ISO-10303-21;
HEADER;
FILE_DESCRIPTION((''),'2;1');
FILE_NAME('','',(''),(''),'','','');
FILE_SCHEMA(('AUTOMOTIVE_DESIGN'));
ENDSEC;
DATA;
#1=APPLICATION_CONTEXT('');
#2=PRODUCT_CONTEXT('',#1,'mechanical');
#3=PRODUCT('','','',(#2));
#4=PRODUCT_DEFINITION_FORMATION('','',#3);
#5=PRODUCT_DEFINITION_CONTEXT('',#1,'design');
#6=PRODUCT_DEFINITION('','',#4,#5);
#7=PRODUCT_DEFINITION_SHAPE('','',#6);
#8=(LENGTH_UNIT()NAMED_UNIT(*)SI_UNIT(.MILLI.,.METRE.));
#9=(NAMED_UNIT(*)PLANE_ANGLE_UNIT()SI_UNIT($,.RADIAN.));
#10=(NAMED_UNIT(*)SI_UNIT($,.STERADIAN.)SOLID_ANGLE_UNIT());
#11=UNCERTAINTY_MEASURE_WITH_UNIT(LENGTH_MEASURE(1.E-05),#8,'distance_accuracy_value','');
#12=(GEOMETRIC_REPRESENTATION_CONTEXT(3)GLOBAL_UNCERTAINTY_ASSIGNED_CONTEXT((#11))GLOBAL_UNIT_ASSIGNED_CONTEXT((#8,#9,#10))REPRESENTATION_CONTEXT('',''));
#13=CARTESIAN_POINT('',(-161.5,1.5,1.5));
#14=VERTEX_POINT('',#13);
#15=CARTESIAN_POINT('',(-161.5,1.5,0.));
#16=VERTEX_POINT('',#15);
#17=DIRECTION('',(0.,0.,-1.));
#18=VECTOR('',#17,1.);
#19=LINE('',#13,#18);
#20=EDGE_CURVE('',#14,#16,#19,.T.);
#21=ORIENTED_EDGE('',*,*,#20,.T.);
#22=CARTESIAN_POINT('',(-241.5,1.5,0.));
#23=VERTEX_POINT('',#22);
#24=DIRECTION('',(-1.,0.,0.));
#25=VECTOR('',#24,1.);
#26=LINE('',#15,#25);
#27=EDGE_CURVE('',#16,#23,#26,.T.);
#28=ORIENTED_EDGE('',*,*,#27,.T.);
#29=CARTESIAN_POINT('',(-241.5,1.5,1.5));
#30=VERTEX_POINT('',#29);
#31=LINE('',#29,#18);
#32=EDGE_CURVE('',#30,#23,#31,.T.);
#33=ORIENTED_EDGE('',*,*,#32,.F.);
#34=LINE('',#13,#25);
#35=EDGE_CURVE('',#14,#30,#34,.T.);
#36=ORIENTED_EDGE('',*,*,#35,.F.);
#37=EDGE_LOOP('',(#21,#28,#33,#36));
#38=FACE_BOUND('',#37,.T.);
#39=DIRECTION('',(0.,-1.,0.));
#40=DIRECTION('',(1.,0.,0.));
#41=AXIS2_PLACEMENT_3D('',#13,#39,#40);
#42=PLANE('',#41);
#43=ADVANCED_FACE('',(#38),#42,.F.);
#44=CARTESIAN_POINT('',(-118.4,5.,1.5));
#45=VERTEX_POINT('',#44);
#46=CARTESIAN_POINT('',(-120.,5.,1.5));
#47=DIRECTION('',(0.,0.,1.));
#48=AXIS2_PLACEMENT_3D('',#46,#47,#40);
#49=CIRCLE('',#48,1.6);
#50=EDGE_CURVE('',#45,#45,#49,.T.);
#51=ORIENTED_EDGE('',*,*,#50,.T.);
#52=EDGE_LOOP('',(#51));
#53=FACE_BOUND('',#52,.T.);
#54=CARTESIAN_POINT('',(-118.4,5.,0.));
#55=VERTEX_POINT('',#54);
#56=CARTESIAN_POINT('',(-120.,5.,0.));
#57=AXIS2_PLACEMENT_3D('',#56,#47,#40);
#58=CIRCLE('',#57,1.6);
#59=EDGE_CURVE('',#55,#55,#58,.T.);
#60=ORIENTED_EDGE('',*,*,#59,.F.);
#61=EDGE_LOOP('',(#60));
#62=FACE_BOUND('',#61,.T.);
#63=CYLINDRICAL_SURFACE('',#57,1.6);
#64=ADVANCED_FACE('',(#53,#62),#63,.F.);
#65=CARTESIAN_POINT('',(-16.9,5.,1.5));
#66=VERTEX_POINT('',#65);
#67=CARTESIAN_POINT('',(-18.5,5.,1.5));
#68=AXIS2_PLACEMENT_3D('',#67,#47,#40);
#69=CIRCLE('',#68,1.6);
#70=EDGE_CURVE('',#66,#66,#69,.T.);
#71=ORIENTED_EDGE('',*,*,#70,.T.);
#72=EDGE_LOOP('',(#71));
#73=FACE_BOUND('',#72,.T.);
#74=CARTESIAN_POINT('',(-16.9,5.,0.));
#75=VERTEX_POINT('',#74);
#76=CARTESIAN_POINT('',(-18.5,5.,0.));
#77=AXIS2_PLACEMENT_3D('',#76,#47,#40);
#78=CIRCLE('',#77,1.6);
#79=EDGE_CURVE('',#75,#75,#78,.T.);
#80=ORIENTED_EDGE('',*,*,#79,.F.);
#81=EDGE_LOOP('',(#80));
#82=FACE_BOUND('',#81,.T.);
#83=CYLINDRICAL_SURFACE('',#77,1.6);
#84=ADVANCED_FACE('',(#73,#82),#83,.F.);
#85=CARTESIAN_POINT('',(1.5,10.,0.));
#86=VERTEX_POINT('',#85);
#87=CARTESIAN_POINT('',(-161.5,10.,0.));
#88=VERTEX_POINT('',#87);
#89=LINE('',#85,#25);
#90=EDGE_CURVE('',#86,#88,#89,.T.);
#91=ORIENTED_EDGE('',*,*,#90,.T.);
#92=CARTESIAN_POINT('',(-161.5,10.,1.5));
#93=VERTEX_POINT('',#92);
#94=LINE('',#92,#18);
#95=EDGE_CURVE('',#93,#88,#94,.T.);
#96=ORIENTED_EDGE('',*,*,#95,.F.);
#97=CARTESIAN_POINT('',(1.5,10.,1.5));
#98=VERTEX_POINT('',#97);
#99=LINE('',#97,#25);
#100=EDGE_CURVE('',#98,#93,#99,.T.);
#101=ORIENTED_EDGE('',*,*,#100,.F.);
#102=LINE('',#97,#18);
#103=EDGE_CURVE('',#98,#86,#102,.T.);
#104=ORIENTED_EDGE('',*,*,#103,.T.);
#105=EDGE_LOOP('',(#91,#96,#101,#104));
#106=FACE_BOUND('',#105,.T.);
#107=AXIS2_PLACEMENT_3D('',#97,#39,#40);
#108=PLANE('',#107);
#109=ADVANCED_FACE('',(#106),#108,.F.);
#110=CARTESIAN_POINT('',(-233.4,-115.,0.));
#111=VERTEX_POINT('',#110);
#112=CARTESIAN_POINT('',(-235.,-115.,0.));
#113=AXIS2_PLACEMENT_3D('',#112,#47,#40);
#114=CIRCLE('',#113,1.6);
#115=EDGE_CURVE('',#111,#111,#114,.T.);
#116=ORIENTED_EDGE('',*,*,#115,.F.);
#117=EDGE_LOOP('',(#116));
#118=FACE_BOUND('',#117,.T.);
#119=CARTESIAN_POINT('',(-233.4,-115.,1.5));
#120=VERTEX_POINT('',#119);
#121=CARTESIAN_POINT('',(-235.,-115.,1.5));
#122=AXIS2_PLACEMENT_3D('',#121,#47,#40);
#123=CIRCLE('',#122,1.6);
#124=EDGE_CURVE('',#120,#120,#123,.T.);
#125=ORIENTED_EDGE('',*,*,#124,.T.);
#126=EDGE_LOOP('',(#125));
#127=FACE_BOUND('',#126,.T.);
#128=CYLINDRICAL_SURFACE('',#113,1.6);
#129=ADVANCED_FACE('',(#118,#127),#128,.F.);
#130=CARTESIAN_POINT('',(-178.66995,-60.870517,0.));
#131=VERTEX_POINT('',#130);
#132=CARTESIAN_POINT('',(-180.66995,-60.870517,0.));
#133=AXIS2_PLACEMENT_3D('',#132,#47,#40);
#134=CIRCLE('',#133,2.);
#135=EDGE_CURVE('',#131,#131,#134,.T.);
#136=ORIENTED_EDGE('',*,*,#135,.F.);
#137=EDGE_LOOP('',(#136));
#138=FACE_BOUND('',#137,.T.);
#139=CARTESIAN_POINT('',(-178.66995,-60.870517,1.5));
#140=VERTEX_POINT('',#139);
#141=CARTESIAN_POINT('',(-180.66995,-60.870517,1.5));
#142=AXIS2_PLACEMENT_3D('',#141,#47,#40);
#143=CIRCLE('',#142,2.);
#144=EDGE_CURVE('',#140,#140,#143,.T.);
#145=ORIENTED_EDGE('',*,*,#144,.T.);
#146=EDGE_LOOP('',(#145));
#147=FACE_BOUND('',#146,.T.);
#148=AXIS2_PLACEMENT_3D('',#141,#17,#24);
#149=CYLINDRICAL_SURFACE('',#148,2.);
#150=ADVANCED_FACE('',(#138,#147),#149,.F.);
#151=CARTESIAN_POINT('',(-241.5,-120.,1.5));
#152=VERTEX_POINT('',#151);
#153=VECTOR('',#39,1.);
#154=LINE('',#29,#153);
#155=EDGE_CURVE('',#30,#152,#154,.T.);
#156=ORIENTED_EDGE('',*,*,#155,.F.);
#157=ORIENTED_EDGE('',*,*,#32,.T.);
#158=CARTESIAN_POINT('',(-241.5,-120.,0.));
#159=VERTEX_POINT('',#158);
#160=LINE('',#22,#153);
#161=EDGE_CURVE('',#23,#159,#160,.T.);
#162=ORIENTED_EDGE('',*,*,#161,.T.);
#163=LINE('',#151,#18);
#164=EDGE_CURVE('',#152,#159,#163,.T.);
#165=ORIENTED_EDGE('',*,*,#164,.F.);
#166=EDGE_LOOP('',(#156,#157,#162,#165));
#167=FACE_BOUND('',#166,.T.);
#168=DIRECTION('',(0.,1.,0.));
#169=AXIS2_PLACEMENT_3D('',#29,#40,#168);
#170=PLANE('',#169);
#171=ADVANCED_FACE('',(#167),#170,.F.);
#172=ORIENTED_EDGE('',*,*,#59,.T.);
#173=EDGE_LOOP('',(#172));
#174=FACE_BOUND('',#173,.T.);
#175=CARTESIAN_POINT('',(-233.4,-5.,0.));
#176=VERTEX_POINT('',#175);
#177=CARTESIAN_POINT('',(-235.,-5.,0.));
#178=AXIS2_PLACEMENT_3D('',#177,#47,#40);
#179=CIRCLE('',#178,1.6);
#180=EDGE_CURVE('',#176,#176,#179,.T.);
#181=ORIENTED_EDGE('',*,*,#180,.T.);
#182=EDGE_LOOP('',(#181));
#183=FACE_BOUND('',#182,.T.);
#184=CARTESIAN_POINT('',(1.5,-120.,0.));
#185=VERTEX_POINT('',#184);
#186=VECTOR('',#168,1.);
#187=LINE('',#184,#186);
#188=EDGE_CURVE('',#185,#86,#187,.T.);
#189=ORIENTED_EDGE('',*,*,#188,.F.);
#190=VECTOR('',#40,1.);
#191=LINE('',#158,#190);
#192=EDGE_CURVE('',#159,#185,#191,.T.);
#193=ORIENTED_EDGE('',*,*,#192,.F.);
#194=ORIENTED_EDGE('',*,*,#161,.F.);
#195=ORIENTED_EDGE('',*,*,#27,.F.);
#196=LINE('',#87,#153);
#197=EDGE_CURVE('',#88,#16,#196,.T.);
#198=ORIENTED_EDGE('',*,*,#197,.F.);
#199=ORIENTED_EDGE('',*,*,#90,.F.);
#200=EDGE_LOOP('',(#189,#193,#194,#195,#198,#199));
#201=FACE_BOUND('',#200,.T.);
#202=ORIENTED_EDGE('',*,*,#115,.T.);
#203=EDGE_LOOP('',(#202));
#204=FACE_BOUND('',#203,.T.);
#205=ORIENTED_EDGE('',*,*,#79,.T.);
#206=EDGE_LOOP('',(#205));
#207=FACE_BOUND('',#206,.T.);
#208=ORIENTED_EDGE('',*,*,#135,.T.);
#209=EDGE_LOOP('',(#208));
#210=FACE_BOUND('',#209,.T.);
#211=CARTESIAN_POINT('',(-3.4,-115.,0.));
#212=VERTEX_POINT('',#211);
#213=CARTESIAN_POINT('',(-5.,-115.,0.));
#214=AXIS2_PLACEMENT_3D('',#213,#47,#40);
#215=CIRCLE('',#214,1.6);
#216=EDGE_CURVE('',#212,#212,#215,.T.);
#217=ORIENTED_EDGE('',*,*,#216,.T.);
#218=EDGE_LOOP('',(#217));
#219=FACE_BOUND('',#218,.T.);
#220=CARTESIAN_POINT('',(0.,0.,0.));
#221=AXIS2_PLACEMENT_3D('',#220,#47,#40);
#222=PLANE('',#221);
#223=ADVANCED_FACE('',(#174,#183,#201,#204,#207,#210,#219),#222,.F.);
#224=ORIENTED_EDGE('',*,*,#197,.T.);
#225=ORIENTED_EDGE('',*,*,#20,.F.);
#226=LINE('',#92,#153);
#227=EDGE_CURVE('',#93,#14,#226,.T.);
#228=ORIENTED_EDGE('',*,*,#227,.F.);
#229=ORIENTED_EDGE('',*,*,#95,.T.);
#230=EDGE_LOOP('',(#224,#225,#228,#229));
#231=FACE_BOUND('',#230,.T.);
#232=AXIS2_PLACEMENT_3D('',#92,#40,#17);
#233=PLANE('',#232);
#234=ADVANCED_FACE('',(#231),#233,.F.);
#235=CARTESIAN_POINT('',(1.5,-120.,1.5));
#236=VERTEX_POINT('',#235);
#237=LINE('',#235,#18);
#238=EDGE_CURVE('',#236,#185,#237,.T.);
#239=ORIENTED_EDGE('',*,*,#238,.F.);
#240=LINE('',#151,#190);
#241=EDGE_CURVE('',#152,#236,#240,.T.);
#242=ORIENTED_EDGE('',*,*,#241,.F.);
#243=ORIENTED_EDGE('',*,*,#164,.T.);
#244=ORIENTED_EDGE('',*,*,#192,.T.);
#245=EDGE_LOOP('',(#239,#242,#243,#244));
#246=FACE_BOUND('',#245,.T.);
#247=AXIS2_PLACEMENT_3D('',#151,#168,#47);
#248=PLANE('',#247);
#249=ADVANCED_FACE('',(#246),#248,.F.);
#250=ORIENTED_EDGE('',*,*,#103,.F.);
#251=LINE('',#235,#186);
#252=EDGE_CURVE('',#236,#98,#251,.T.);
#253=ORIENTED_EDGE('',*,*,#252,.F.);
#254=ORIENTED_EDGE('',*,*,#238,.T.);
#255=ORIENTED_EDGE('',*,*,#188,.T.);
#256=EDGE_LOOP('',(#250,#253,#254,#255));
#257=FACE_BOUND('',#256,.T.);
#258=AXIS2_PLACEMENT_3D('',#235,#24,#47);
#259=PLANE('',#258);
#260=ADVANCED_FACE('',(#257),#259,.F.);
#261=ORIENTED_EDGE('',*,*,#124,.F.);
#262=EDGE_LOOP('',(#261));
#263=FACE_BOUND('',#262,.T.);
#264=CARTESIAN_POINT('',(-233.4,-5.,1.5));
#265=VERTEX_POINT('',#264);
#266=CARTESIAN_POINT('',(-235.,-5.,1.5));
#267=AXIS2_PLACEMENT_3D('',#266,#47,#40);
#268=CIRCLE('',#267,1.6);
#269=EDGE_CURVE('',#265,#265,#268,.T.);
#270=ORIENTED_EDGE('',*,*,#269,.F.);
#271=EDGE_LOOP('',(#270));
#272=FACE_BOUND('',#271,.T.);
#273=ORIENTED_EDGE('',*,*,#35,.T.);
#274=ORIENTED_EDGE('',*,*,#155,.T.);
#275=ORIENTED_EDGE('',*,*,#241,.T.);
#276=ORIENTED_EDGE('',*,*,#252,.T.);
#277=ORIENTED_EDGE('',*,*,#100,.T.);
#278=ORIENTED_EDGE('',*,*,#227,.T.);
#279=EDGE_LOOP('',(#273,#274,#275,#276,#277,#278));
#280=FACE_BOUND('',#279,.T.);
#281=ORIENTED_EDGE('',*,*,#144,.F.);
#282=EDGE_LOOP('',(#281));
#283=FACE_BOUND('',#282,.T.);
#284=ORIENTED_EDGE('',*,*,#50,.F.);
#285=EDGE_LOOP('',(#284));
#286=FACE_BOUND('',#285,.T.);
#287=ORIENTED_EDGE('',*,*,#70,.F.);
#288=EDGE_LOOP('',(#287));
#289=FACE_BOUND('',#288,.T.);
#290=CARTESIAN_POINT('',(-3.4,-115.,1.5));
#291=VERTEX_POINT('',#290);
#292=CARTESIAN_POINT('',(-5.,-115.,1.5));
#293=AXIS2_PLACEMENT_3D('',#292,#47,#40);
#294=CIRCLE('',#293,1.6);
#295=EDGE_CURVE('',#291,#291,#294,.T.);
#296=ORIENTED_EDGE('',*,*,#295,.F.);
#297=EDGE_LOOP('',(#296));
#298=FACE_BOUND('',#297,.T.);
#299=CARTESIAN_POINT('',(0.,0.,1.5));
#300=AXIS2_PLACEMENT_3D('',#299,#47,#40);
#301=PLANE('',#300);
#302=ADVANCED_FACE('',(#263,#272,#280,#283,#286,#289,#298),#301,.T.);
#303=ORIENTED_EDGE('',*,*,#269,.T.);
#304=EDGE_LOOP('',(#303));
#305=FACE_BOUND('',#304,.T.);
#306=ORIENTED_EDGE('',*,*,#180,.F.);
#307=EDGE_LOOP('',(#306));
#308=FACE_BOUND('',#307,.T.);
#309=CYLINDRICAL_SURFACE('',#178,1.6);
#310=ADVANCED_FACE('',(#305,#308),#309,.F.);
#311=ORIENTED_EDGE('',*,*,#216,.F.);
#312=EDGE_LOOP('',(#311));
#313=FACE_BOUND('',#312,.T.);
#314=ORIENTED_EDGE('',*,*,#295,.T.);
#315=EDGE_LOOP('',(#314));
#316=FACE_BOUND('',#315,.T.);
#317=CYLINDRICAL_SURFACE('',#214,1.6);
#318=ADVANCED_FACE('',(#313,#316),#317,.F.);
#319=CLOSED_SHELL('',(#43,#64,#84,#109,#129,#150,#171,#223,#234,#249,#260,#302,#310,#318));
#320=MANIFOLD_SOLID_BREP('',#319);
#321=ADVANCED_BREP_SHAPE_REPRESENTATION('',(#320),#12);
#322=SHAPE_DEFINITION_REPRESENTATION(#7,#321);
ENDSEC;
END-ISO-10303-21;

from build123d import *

# Parameters (mm, degrees)
SKETCH1_R           = 2
BOSS_EXTRUDE1_DEPTH = 1.5
SKETCH2_R           = 1.6
CUT_EXTRUDE1_DEPTH  = 1.5


with BuildPart() as part:
    # Sketch1 → Boss-Extrude1 (new body)
    with BuildSketch(Plane.XY):
        Polygon((-241.5, -120), (1.5, -120), (1.5, 10), (-161.5, 10), (-161.5, 1.5), (-241.5, 1.5), align=None)
        with Locations((-180.669950037, -60.870517352)):
            Circle(SKETCH1_R, mode=Mode.SUBTRACT)
    extrude(amount=BOSS_EXTRUDE1_DEPTH)

    # Sketch2 → Cut-Extrude1 (cut)
    with BuildSketch(Plane.XY.offset(1.5)):
        with Locations((-235, -5)):
            Circle(SKETCH2_R)
        with Locations((-235, -115)):
            Circle(SKETCH2_R)
        with Locations((-5, -115)):
            Circle(SKETCH2_R)
        with Locations((-120, 5)):
            Circle(SKETCH2_R)
        with Locations((-18.5, 5)):
            Circle(SKETCH2_R)
    extrude(amount=-CUT_EXTRUDE1_DEPTH, mode=Mode.SUBTRACT)


solid = part.part
